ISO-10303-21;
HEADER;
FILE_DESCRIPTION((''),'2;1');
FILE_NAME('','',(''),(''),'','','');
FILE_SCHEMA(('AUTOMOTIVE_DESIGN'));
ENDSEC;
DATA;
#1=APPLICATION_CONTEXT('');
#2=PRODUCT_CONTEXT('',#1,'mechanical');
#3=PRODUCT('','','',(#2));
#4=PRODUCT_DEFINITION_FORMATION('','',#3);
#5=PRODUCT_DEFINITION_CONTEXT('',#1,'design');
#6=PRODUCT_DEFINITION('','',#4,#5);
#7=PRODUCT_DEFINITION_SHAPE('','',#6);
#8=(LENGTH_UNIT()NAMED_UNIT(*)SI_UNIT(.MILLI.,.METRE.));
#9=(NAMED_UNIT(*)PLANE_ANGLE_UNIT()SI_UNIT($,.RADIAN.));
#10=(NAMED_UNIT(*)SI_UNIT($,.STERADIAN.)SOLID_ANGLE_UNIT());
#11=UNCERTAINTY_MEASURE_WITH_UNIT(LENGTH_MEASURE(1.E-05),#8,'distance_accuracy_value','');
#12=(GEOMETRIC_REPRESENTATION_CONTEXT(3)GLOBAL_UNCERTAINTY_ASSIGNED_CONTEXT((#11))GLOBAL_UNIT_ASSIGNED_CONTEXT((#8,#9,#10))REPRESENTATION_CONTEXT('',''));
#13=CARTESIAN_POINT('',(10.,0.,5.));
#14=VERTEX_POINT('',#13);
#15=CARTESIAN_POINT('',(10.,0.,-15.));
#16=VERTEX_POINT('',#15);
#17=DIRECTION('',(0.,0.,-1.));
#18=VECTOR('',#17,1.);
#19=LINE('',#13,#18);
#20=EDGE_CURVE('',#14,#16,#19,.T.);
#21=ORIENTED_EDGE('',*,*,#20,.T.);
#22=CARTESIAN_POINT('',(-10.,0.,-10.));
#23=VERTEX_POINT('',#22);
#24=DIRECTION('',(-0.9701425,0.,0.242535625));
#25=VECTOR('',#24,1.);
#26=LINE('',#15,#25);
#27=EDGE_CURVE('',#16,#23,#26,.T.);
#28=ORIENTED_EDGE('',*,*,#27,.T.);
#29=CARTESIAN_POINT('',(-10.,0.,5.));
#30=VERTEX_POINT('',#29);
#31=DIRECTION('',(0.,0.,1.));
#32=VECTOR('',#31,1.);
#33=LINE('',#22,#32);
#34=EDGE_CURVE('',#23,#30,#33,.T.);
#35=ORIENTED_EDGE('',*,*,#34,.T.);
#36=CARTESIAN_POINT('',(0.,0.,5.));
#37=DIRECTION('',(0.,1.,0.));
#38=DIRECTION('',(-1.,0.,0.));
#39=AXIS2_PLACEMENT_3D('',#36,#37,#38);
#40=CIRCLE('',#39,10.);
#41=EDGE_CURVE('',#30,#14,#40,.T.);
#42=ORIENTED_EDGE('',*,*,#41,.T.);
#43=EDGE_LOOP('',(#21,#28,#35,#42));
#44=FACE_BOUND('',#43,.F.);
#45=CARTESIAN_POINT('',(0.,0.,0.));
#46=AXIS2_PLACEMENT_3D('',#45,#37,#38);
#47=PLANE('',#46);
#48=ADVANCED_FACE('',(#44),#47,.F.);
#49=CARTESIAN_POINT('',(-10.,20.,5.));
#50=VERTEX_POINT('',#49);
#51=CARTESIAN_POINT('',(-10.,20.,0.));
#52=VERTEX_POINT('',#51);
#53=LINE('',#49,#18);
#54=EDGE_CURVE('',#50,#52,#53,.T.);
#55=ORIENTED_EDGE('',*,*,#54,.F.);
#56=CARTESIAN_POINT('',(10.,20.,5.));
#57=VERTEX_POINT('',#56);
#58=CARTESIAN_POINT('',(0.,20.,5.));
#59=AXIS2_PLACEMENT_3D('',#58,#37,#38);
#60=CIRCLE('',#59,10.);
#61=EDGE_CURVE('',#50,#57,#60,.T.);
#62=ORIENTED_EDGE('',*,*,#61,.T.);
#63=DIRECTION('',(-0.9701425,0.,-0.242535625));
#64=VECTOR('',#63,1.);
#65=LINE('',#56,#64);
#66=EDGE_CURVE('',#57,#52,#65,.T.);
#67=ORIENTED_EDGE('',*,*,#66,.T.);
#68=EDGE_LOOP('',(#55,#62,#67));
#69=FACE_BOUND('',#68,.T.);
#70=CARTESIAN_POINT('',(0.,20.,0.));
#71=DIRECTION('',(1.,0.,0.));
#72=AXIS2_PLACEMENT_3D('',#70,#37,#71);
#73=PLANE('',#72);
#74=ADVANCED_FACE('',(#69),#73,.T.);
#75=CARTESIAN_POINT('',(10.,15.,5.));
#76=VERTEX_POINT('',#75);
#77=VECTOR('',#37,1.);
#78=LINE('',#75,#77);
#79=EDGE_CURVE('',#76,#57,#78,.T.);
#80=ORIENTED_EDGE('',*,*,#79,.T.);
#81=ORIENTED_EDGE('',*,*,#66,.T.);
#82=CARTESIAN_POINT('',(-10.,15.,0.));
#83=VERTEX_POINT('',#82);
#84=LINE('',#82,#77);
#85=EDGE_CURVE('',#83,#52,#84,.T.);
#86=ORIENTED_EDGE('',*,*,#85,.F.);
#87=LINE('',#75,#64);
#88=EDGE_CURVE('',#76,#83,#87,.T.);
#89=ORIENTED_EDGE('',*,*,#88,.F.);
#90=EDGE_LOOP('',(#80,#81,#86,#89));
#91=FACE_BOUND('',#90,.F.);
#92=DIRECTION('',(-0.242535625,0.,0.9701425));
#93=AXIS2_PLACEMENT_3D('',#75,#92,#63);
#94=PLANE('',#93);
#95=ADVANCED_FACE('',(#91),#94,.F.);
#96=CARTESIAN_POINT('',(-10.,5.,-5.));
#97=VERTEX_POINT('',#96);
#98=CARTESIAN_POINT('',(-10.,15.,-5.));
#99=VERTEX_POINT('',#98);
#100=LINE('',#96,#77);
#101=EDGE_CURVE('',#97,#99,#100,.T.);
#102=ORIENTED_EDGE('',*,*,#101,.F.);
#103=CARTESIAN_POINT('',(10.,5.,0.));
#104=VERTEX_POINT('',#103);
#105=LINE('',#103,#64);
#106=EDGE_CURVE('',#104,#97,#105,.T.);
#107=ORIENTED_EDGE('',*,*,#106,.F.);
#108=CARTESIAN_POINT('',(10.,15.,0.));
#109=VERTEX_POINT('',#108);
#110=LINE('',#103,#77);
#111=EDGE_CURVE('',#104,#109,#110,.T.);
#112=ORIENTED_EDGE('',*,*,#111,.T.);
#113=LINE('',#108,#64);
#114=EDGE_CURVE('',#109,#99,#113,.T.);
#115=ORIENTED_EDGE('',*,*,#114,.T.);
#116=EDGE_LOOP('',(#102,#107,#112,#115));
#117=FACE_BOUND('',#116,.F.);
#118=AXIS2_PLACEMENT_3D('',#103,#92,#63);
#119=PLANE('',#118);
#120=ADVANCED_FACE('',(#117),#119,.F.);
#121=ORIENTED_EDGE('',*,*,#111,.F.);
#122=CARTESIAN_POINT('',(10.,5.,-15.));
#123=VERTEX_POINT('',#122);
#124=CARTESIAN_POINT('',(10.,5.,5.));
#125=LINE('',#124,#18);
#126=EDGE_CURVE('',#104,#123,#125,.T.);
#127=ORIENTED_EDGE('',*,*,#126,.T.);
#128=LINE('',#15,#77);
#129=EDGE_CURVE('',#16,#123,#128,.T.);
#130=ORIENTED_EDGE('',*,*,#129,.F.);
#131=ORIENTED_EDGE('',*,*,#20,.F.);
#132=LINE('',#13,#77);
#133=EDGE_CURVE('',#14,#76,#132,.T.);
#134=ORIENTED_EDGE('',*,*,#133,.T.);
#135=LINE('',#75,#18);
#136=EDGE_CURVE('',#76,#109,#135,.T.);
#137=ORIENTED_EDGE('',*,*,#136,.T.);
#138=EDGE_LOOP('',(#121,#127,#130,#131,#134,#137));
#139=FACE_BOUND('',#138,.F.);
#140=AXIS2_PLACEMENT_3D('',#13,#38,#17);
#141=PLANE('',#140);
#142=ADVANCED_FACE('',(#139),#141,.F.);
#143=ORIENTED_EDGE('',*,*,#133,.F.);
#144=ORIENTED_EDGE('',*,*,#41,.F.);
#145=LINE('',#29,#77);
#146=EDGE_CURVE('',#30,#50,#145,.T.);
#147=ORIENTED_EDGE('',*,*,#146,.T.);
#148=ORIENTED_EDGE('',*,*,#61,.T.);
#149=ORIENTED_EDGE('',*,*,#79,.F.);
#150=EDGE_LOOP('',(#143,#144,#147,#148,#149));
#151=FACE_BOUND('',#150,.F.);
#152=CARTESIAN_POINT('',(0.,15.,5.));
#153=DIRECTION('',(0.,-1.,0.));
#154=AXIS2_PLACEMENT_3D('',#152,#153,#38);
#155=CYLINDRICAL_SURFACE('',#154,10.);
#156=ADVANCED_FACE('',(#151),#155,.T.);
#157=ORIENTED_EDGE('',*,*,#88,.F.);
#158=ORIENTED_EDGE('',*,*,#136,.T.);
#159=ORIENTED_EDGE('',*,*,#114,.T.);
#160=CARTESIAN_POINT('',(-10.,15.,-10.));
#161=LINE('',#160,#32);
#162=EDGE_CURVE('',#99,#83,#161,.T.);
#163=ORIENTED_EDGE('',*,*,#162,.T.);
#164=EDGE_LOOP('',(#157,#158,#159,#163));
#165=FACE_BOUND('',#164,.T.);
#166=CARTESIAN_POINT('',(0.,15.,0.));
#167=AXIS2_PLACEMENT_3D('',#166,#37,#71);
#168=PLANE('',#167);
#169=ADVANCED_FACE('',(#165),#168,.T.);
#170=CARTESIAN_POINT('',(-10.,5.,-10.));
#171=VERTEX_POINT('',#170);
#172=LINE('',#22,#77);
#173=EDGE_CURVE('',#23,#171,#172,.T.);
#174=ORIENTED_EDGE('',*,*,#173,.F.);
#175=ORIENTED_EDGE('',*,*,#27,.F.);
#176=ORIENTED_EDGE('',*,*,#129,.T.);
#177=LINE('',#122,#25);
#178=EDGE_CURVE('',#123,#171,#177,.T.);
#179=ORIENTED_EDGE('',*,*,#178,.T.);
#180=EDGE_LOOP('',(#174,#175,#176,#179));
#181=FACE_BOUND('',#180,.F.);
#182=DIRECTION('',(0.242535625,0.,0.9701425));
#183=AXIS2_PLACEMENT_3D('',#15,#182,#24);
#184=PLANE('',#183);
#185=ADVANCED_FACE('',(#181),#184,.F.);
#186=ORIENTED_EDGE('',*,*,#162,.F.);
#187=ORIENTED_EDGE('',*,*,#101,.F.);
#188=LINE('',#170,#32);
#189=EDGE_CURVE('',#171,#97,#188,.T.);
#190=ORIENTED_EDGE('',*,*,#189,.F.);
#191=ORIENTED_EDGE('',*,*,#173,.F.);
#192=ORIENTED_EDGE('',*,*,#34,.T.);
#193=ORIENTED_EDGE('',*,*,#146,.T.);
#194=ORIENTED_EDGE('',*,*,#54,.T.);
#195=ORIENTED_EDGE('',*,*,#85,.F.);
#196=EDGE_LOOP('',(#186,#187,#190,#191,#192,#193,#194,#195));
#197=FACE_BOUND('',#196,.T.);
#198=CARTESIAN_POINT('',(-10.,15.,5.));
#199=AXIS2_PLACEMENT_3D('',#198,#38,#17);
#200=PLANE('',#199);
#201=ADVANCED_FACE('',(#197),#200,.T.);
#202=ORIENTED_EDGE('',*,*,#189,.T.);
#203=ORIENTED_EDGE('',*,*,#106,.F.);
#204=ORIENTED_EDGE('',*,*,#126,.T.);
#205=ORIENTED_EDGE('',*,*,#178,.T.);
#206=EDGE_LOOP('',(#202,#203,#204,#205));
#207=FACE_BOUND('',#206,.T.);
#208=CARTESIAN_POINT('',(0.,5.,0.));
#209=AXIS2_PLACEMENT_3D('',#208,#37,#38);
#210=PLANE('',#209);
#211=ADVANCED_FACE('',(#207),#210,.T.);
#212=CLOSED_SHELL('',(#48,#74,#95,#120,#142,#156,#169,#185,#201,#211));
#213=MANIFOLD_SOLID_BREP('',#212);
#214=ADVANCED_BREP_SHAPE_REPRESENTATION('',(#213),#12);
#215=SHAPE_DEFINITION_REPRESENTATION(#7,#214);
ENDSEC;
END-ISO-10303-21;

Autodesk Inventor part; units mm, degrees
ref_plane "YZ Plane" through (0, 0, 0) normal (1, 0, 0) x (0, 1, 0)
ref_plane "XZ Plane" through (0, 0, 0) normal (0, 1, 0) x (-1, 0, 0)
ref_plane "XY Plane" through (0, 0, 0) normal (0, 0, 1) x (1, 0, 0)
sketch "草圖1" plane through (0, 0, 0) normal (0, 1, 0) x (-1, 0, 0)
  line L0 (-10, 5) -> (-10, -15)
  line L1 (10, -10) -> (10, 5)
  arc A0 (10, 5) -> (-10, 5) centre (0, 5) ccw
  line L2 (-10, -15) -> (10, -10)
  point P0 (0, 0)
  point P1 (0, -10)
  point P2 (10, 0)
  dimension "d0" = 20
  dimension "d1" = 20
  dimension "d2" = 15
  dimension "d3" = 10
  dimension "d4" = 10
extrude "擠出1" add sketch "草圖1" along normal blind 5
sketch "草圖2" plane through (0, 5, 0) normal (0, 1, 0) x (1, 0, 0)
  line L0 (-10, 10) -> (-10, -5) construction
  arc A0 (-10, -5) -> (10, -5) centre (0, -5) ccw projected
  line L1 (10, -5) -> (10, 15) construction
  line L2 (10, 15) -> (-10, 10) construction
  arc A1 (-10, -5) -> (10, -5) centre (0, -5) ccw projected
  line L3 (10, -5) -> (10, 0)
  line L4 (10, 0) -> (-10, 5)
  line L5 (-10, 10) -> (-10, -5) projected
  line L6 (-10, -5) -> (-10, 5)
  point P0 (0, 0)
  dimension "d7" = 5
  dimension "d8" = 15
extrude "擠出2" add sketch "草圖2" along normal blind 10
sketch "草圖3" plane through (0, 15, 0) normal (0, 1, 0) x (1, 0, 0)
  arc A0 (-10, -5) -> (10, -5) centre (0, -5) ccw projected
  line L0 (10, -5) -> (10, 0) construction
  line L1 (10, 0) -> (-10, 5) construction
  line L2 (-10, 5) -> (-10, -5) construction
  line L3 (10, -5) -> (-10, 0)
  line L4 (-10, -5) -> (-10, 10) projected
  line L5 (-10, -5) -> (-10, 0)
  point P0 (0, 0)
  dimension "d11" = 5
extrude "擠出3" add sketch "草圖3" along normal blind 5
properties part number "6"
